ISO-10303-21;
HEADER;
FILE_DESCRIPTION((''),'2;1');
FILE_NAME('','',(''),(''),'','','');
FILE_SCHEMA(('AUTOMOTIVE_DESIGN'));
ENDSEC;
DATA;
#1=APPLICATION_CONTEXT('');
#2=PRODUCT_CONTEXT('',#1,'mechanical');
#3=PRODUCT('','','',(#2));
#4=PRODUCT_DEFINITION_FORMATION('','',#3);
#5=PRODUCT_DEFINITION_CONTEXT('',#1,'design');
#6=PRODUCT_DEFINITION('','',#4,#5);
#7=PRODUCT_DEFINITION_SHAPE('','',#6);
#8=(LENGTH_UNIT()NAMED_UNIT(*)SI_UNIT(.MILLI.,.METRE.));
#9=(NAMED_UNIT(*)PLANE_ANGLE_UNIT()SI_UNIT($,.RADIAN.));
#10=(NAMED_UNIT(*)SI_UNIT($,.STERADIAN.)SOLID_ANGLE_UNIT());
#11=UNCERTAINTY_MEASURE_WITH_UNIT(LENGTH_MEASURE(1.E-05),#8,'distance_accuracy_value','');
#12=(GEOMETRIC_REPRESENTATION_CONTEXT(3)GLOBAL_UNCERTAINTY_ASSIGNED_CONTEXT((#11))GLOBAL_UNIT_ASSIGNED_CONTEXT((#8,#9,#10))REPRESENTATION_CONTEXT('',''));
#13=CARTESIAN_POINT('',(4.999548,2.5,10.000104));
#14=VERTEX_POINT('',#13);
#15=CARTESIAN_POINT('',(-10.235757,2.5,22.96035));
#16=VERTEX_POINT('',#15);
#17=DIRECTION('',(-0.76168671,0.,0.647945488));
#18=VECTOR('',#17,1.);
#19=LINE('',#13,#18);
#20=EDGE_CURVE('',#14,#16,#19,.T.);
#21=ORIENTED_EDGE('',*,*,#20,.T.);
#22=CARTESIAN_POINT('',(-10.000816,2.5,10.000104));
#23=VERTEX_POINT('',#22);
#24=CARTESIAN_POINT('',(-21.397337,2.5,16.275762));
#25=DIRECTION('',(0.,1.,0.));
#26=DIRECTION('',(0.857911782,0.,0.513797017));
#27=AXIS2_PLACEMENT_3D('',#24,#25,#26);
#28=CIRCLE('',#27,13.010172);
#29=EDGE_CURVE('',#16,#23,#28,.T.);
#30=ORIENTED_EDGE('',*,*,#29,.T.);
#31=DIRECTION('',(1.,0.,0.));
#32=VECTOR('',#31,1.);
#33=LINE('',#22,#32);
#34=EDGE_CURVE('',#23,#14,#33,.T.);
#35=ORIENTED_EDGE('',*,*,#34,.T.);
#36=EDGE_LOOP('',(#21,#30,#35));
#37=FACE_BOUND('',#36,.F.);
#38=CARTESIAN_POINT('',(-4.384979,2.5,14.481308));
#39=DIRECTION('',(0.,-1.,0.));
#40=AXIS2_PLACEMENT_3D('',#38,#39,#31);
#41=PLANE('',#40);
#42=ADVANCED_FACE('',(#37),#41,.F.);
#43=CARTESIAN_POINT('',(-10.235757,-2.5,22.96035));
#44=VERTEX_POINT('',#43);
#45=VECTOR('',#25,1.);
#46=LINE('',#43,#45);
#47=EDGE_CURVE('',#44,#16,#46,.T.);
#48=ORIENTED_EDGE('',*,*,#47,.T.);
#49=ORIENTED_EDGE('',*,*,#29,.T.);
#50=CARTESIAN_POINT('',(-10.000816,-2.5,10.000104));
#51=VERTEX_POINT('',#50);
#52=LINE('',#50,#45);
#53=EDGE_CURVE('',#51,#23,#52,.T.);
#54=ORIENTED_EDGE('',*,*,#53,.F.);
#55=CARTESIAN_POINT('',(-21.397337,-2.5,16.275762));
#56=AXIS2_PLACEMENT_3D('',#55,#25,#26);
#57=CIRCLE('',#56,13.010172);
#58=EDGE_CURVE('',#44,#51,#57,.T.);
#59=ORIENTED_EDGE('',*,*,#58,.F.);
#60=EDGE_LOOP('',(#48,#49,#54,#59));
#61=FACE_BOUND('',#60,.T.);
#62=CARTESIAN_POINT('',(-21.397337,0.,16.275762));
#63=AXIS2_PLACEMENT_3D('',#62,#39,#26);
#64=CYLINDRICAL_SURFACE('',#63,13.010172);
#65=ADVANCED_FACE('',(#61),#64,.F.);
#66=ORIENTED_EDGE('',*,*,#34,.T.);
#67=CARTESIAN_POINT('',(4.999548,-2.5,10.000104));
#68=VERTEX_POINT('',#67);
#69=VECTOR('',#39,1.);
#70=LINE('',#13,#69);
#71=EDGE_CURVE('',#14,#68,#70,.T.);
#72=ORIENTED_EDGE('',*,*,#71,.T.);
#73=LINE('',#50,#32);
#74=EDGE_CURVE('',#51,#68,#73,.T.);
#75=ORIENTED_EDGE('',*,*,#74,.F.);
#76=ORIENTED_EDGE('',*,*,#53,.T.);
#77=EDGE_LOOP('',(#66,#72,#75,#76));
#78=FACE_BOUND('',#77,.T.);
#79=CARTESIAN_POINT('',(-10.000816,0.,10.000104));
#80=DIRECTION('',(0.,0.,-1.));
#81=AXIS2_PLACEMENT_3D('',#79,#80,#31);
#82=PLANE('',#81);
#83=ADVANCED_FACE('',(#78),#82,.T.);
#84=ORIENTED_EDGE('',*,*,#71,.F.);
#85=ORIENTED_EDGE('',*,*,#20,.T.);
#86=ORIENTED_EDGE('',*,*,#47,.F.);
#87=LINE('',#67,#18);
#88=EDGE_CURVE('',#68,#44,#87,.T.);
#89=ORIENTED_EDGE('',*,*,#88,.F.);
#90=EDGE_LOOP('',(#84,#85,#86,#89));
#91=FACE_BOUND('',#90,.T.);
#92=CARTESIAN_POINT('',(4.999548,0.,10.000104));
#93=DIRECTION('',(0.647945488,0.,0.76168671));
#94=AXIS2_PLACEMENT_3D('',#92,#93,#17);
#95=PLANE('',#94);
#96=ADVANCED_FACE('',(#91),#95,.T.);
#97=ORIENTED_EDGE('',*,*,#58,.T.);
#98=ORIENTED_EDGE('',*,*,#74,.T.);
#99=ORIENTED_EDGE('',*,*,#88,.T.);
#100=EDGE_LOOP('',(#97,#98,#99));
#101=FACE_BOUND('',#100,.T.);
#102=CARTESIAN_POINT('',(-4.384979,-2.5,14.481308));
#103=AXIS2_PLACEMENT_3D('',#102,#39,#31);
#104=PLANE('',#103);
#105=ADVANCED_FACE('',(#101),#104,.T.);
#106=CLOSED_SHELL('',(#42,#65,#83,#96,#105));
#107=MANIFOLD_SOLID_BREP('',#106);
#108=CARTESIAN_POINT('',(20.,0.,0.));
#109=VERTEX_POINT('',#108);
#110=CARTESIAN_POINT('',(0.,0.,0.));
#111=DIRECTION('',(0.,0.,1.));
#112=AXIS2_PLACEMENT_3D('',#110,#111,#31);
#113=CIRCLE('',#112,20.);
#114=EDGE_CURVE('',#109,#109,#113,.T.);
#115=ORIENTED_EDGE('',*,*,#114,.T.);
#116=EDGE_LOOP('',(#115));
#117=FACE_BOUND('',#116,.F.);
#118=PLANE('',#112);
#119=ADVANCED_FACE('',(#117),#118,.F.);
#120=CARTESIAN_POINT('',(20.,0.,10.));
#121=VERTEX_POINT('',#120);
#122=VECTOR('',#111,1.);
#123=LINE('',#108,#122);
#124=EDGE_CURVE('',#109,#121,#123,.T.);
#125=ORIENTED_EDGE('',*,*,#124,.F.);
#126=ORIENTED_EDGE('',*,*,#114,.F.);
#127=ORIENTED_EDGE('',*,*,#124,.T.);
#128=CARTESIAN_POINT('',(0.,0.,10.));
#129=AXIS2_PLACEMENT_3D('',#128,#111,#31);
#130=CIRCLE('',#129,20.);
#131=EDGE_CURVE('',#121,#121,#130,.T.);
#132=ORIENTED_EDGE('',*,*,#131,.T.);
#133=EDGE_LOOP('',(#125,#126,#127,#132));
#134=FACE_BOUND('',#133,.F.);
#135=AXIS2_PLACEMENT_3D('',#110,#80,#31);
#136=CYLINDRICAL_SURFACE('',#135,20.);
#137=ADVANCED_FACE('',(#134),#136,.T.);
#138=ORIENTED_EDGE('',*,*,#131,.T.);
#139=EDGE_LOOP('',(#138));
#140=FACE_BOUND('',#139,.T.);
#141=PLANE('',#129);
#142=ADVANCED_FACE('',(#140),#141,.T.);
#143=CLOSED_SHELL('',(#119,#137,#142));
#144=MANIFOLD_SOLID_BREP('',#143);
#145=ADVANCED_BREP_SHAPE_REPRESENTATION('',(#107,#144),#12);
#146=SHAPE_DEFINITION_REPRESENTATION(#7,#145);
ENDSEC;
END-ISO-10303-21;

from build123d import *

# Parameters (mm, degrees)
F0_R     = 20
F1_DEPTH = 10
F4_DEPTH = 2.5


with BuildPart() as f1:
    # F0 (on Top) → F1 (new body)
    with BuildSketch(Plane.XY):
        Circle(F0_R)
    extrude(amount=F1_DEPTH)


with BuildPart() as f4:
    # F3 (on Front) → F4 (new body, symmetric)
    with BuildSketch(Plane.XZ):
        with BuildLine():
            Line((-10.000816, 10.000104), (4.999548, 10.000104))
            Line((4.999548, 10.000104), (-10.235757, 22.96035))
            ThreePointArc((-10.235757, 22.96035), (-8.389302, 16.51157), (-10.000816, 10.000104))
        make_face()
    extrude(amount=F4_DEPTH, both=True)


solid = Compound([f1.part, f4.part])
